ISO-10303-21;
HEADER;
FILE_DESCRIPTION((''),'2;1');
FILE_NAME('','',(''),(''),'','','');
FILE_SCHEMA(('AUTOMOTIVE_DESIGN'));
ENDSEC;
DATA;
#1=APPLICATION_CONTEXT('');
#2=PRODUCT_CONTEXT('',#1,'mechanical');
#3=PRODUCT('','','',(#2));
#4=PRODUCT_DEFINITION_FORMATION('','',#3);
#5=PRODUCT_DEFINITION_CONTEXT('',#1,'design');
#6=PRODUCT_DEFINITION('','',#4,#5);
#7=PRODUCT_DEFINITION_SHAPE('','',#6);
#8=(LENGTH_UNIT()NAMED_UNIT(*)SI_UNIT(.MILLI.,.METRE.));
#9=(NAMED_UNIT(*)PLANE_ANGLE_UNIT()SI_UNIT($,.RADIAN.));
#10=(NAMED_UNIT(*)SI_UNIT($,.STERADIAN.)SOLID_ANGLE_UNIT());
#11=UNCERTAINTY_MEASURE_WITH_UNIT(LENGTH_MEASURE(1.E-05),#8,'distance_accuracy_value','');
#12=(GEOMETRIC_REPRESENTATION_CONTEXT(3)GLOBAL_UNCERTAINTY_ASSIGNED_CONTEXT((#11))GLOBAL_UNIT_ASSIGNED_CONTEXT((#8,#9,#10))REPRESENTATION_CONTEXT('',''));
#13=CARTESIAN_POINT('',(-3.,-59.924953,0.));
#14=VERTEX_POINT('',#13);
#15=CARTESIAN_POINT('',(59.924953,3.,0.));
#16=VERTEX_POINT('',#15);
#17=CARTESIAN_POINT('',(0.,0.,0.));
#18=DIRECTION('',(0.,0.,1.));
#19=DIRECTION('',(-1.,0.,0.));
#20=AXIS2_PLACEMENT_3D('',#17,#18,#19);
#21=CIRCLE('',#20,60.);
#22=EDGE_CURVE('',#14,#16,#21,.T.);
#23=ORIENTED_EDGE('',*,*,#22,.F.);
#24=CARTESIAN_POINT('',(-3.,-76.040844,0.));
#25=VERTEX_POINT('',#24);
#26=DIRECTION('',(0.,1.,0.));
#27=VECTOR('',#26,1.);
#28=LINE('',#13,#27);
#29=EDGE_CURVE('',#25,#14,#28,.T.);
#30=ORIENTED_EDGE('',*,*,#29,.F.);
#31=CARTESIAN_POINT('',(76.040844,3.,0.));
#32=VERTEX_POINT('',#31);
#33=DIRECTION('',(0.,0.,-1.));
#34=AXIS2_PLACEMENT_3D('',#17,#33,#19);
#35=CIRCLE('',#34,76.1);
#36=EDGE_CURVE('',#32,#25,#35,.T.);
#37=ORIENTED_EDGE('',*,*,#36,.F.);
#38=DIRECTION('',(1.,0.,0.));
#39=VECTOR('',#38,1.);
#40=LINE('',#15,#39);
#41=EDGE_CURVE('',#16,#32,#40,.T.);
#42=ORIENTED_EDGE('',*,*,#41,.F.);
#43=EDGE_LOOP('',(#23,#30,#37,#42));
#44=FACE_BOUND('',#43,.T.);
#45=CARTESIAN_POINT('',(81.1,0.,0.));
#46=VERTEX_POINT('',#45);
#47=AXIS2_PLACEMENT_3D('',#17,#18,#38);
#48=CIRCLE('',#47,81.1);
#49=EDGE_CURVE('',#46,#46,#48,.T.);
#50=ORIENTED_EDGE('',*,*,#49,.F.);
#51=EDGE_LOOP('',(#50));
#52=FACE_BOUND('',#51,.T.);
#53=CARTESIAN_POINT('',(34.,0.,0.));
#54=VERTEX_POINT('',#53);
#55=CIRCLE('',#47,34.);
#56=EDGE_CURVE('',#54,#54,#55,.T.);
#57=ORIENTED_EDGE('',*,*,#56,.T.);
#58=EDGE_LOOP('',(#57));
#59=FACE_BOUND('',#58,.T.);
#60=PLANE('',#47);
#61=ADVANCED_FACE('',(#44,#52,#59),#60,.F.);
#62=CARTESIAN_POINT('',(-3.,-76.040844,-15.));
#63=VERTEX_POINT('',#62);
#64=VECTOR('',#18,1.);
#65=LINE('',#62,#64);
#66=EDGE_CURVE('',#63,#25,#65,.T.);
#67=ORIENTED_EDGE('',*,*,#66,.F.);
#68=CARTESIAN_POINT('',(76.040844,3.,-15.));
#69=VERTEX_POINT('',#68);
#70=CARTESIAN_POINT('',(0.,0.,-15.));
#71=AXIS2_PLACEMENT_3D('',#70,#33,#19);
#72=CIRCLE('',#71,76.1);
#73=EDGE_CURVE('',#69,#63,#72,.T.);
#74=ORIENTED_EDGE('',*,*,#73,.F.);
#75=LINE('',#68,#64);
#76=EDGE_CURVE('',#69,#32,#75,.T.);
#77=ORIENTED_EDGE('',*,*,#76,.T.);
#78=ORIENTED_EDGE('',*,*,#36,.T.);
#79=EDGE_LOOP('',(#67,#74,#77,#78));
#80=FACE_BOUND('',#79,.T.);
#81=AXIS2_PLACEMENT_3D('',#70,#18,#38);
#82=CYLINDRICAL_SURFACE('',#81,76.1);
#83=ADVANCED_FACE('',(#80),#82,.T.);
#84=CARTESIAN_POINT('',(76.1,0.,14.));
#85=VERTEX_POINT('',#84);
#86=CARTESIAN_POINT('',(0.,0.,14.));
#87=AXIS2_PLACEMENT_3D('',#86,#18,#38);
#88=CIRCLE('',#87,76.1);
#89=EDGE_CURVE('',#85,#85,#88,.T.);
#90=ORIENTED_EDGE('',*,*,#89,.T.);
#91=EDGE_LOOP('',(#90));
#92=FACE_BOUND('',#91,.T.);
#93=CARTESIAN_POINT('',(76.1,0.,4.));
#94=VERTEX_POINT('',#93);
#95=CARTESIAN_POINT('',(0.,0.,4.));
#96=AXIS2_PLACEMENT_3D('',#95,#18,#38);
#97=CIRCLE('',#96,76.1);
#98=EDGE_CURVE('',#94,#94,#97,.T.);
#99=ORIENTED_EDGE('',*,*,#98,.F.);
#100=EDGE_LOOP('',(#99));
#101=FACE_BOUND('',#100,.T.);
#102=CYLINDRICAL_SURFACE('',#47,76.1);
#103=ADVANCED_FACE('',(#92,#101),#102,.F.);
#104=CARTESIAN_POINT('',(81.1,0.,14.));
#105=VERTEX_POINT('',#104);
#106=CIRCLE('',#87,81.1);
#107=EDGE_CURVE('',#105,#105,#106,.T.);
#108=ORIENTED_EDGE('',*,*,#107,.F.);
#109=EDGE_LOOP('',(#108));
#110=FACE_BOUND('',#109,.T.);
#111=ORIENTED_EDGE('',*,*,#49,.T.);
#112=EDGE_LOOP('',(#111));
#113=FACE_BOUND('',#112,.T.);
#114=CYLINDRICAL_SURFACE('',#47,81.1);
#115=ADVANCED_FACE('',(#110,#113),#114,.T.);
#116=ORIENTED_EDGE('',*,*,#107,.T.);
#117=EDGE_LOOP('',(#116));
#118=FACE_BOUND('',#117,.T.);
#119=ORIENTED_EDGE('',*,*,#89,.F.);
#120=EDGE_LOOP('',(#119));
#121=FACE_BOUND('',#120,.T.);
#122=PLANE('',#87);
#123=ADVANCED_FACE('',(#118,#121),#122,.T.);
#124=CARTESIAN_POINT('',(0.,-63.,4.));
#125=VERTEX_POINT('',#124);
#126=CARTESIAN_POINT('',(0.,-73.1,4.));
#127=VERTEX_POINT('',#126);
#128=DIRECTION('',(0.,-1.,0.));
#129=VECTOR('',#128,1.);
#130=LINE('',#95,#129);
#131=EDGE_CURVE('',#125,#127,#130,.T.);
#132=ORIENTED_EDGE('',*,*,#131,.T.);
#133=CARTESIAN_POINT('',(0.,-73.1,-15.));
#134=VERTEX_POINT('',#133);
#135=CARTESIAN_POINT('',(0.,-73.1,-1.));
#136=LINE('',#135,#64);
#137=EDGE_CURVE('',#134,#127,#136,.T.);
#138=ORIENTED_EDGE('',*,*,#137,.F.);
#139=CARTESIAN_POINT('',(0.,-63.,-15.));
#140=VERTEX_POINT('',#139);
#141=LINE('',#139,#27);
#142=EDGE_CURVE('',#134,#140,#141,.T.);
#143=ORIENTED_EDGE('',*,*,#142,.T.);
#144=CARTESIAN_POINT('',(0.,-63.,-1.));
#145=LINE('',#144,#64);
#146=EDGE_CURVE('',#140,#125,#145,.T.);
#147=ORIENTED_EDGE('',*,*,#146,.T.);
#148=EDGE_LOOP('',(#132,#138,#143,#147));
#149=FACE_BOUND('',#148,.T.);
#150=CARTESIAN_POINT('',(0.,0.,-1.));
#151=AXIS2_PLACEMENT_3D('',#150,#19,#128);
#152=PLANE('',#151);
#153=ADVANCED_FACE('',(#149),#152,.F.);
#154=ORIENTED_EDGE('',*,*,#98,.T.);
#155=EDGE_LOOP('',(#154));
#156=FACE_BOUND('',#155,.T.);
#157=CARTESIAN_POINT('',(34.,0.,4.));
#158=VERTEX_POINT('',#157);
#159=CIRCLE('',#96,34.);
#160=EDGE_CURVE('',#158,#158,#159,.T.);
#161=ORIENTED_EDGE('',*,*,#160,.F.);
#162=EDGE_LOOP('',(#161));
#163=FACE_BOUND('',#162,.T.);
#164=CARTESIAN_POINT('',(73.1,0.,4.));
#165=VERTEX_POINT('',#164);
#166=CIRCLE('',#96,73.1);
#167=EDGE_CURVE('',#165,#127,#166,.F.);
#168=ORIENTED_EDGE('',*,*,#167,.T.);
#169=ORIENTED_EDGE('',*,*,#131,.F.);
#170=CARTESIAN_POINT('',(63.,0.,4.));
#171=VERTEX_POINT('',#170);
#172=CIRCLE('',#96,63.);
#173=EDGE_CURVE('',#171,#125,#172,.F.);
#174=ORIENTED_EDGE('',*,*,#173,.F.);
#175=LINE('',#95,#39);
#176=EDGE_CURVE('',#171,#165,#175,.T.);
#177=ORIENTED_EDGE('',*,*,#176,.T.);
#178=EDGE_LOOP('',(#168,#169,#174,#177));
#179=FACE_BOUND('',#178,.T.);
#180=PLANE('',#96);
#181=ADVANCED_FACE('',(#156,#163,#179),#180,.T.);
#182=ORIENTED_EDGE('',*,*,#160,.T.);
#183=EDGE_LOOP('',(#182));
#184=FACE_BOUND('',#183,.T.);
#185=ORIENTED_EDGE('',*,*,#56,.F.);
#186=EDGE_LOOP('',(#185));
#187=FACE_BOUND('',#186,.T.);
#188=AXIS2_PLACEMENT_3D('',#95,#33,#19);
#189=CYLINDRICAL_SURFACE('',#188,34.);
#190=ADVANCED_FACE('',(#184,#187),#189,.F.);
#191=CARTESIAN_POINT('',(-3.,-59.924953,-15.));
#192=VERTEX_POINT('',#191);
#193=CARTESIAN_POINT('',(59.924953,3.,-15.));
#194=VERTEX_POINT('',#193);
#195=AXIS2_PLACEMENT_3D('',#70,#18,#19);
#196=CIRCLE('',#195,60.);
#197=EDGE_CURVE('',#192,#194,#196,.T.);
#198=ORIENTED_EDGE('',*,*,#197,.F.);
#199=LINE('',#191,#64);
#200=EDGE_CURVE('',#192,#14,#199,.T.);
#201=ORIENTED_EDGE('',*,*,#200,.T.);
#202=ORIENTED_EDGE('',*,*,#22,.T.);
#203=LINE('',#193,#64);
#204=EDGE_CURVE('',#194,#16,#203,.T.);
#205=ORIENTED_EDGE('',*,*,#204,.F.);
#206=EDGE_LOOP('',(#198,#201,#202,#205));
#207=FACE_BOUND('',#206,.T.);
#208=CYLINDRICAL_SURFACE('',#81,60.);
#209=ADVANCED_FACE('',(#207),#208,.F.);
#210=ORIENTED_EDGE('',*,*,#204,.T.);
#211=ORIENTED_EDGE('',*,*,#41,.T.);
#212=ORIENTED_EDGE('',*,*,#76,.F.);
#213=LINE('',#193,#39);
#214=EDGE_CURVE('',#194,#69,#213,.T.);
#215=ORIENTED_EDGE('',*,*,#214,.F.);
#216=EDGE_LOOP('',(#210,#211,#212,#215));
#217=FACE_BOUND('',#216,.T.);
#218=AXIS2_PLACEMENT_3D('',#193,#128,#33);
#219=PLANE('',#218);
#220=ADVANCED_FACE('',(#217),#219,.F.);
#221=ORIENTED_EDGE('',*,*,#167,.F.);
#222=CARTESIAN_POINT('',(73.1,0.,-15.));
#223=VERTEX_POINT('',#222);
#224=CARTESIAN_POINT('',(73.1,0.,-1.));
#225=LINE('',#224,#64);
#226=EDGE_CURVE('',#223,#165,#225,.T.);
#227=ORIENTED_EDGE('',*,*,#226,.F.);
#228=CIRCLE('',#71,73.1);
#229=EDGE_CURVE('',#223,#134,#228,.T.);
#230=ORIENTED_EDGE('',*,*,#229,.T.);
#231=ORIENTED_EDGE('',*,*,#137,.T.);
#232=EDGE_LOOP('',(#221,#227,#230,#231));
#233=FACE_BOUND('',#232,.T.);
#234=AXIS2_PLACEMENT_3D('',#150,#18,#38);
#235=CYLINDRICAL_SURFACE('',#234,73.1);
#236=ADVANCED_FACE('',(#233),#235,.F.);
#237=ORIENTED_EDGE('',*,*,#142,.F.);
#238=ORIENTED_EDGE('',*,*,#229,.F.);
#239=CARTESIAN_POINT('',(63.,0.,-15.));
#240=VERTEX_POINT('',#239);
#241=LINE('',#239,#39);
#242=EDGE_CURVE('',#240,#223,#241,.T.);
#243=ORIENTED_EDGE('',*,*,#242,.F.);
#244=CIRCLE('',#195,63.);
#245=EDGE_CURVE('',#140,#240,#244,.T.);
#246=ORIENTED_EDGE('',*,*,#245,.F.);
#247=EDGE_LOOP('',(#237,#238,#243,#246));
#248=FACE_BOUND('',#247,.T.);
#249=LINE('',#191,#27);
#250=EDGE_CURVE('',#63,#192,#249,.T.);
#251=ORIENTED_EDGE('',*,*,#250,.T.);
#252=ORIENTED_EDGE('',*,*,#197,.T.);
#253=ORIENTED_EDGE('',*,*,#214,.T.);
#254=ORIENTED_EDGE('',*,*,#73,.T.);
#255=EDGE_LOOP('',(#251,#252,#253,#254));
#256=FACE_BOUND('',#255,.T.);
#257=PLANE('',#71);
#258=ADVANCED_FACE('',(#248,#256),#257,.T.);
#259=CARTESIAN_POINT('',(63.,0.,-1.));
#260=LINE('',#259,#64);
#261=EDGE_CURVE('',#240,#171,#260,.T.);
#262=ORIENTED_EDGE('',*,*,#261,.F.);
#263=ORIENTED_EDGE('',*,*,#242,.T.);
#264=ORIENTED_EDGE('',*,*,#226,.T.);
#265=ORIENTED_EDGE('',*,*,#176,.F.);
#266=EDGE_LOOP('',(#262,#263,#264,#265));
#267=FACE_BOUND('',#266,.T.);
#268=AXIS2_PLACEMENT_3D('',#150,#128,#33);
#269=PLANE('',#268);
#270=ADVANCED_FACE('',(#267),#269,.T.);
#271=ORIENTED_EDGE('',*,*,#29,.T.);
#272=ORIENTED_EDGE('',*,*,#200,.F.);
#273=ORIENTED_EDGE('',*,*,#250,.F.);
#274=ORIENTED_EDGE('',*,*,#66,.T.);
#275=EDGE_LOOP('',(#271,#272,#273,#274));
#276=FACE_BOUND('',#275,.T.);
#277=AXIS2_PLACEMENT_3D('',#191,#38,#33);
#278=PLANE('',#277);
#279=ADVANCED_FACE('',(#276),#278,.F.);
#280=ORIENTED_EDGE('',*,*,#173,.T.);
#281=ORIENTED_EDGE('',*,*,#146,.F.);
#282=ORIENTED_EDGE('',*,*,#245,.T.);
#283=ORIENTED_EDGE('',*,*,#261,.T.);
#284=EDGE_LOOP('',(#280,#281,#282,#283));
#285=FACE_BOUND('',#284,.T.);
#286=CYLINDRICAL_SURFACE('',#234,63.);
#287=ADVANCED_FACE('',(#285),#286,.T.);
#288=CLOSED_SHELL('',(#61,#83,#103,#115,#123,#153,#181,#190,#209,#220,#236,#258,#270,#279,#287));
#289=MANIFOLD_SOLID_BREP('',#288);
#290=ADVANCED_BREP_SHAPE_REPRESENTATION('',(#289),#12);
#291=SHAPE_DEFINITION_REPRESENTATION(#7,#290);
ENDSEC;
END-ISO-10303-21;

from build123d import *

# Parameters (mm, degrees)
SKETCH_1_R           = 76.1
SKETCH_1_R_2         = 34
EXTRUDE_1_DEPTH      = 4
EXTRUDE_2_DEPTH      = 10
EXTRUDE_2_DEPTH_BACK = 4
SKETCH_2_R           = 81.1
SKETCH_2_R_2         = 76.1
CUT_EXTRUDE_1_DEPTH  = 5
EXTRUDE_3_DEPTH      = 15


with BuildPart() as part:
    # 스케치1 → 보스-돌출1 (new body)
    with BuildSketch(Plane.XY):
        Circle(SKETCH_1_R)
        Circle(SKETCH_1_R_2, mode=Mode.SUBTRACT)
    extrude(amount=EXTRUDE_1_DEPTH)

    # 스케치2 → 보스-돌출2 (add, two sides: drawn at the far end of the back side and taken through both)
    with BuildSketch(Plane.XY.offset(4).offset(-EXTRUDE_2_DEPTH_BACK)):
        Circle(SKETCH_2_R)
        Circle(SKETCH_2_R_2, mode=Mode.SUBTRACT)
    extrude(amount=EXTRUDE_2_DEPTH + EXTRUDE_2_DEPTH_BACK)

    # 스케치3 → 컷-돌출1 (cut)
    with BuildSketch(Plane.XY.offset(4)):
        with BuildLine():
            Line((63, 0), (73.1, 0))
            ThreePointArc((73.1, 0), (51.689505705, -51.689505705), (0, -73.1))
            Line((0, -73.1), (0, -63))
            ThreePointArc((0, -63), (44.547727215, -44.547727215), (63, 0))
        make_face()
    extrude(amount=-CUT_EXTRUDE_1_DEPTH, mode=Mode.SUBTRACT)

    # 스케치4 → 보스-돌출3 (add)
    with BuildSketch(Plane(origin=(0, 0, 0), x_dir=(-1, 0, 0), z_dir=(0, 0, -1))):
        with BuildLine():
            Line((-59.924953066, 3), (-76.040844288, 3))
            ThreePointArc((-76.040844288, 3), (-53.810826048, -53.810826048), (3, -76.040844288))
            Line((3, -76.040844288), (3, -59.924953066))
            ThreePointArc((3, -59.924953066), (-42.426406871, -42.426406871), (-59.924953066, 3))
        make_face()
        with BuildLine():
            Line((-63, 0), (-73.1, 0))
            ThreePointArc((-73.1, 0), (-51.689505705, -51.689505705), (0, -73.1))
            Line((0, -73.1), (0, -63))
            ThreePointArc((0, -63), (-44.547727215, -44.547727215), (-63, 0))
        make_face(mode=Mode.SUBTRACT)
    extrude(amount=EXTRUDE_3_DEPTH)


solid = part.part
